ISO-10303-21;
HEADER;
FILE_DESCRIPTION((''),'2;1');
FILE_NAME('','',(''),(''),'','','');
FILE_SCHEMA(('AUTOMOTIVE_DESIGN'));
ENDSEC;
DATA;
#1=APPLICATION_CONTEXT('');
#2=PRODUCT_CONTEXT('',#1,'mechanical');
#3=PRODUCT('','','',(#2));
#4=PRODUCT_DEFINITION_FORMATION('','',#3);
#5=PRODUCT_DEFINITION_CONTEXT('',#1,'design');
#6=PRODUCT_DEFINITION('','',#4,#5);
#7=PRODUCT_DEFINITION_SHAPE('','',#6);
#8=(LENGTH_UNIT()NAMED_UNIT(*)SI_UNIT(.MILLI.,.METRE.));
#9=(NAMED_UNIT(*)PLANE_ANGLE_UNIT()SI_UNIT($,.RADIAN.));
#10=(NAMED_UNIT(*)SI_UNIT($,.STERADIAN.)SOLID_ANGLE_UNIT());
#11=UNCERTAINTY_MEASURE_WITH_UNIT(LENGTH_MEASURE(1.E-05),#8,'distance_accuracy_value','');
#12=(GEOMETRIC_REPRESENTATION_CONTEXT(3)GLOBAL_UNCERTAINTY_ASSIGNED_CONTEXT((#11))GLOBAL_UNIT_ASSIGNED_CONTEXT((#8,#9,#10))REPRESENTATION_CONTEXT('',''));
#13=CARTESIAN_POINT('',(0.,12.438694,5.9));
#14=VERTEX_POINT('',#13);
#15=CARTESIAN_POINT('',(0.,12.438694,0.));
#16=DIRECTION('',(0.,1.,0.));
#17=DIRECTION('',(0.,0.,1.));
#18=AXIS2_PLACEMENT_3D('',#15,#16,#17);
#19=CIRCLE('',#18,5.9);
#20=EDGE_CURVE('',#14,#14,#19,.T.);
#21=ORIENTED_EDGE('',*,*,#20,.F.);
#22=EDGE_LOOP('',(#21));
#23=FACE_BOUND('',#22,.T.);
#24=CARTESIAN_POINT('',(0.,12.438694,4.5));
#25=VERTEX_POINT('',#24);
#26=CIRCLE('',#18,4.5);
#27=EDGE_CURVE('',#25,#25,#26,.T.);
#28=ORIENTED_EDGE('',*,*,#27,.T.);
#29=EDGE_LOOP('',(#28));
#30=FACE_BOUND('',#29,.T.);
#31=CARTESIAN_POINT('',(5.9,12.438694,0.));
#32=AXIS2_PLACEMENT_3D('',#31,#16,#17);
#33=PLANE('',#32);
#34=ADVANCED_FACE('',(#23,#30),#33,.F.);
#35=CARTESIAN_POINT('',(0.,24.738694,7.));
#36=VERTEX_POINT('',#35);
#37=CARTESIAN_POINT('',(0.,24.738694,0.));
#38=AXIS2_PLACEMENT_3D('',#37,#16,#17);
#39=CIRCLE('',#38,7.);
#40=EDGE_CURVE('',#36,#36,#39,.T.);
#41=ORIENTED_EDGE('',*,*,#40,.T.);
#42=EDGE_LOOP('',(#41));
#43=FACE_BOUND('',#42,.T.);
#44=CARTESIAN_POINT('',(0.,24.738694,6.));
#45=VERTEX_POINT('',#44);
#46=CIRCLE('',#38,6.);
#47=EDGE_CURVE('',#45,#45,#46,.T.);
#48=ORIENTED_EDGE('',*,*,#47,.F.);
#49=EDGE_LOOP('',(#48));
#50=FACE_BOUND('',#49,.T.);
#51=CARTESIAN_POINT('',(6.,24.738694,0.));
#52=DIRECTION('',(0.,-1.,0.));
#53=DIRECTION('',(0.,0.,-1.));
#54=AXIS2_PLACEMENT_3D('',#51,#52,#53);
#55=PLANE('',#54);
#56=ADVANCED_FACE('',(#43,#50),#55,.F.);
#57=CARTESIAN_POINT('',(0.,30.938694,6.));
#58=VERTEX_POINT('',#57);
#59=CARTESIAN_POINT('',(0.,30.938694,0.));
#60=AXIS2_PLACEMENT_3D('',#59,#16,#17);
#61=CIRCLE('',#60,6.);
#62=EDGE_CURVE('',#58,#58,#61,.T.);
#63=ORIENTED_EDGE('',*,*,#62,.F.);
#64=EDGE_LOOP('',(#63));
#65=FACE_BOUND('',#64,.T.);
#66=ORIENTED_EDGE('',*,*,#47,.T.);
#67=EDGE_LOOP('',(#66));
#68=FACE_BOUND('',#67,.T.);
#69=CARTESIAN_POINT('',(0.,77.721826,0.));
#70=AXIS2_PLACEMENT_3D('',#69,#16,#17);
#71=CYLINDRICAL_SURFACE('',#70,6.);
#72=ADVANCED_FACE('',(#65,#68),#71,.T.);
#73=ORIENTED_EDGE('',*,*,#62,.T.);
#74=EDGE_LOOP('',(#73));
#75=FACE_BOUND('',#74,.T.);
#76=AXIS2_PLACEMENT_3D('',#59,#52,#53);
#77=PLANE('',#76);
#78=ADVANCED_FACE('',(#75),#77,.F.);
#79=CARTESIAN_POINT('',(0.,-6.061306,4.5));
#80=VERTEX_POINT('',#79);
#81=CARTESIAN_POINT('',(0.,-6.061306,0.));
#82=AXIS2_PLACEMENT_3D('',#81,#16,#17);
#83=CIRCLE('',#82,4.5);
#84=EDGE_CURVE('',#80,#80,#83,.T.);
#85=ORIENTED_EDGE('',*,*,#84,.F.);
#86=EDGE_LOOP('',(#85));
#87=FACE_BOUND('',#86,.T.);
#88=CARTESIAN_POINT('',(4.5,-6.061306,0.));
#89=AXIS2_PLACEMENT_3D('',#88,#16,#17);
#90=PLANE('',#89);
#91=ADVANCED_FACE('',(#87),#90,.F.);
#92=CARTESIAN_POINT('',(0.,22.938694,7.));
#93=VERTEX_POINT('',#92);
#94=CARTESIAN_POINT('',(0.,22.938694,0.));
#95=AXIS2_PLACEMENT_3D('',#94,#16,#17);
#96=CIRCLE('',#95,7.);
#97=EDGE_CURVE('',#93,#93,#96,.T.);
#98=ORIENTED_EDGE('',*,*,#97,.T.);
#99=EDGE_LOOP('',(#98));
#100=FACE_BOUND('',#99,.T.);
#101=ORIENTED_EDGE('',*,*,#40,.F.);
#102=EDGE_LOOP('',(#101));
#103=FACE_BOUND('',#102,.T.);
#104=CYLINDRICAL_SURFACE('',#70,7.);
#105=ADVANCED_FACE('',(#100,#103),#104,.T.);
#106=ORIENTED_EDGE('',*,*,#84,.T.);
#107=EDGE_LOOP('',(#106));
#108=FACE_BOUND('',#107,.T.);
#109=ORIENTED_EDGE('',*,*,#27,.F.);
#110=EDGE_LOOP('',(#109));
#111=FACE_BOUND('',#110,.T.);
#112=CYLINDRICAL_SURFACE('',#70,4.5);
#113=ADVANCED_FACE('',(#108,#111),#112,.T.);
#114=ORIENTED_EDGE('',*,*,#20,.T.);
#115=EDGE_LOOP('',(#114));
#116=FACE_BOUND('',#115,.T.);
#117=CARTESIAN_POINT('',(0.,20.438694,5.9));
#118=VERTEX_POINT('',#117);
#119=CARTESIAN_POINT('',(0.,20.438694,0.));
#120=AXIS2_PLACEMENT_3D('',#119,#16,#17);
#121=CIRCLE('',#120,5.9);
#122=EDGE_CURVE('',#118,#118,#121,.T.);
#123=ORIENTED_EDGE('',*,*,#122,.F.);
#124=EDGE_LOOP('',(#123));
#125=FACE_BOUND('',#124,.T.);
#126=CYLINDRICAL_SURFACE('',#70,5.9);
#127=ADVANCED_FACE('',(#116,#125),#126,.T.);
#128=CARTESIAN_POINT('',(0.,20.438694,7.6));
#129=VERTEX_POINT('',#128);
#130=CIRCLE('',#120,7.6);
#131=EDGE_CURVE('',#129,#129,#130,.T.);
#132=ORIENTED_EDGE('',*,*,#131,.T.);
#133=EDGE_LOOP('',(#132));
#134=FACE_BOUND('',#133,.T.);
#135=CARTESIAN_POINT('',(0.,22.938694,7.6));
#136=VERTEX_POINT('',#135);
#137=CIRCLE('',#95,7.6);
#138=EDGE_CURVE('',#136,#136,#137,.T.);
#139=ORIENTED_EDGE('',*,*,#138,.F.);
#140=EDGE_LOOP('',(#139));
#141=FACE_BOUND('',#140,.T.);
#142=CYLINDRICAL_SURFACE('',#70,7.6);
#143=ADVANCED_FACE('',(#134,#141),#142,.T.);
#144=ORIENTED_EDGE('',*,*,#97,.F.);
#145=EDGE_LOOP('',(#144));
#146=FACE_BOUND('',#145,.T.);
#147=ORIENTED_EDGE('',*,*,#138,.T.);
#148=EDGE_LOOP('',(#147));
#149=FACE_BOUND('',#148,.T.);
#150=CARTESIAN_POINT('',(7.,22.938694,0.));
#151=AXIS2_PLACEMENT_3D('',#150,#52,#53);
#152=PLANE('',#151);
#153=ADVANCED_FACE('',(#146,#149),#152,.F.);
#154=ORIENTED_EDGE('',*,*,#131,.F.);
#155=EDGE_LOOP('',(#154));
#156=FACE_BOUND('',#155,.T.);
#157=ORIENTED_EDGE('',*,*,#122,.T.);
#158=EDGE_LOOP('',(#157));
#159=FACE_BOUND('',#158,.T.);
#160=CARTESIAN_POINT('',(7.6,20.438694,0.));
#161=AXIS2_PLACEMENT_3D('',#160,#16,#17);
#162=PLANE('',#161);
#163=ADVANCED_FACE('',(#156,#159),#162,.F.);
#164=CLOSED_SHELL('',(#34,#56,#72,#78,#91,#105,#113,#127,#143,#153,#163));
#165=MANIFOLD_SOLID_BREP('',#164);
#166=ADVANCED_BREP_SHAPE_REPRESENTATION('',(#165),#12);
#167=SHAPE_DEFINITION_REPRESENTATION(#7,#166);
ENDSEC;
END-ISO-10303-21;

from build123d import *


with BuildPart() as part:
    # 草图1 → 旋转1 (revolve)
    with BuildSketch(Plane.XY, mode=Mode.PRIVATE) as revolve_1_sk:
        Polygon((0, 30.938694357), (6, 30.938694357), (6, 24.738694357), (7, 24.738694357), (7, 22.938694357), (7.6, 22.938694357), (7.6, 20.438694357), (5.9, 20.438694357), (5.9, 12.438694357), (4.5, 12.438694357), (4.5, -6.061305643), (0, -6.061305643), align=None)
    revolve(revolve_1_sk.sketch.rotate(Axis((0, 77.721825963, 0), (0, -1, 0)), 90), axis=Axis((0, 77.721825963, 0), (0, -1, 0)))


solid = part.part
